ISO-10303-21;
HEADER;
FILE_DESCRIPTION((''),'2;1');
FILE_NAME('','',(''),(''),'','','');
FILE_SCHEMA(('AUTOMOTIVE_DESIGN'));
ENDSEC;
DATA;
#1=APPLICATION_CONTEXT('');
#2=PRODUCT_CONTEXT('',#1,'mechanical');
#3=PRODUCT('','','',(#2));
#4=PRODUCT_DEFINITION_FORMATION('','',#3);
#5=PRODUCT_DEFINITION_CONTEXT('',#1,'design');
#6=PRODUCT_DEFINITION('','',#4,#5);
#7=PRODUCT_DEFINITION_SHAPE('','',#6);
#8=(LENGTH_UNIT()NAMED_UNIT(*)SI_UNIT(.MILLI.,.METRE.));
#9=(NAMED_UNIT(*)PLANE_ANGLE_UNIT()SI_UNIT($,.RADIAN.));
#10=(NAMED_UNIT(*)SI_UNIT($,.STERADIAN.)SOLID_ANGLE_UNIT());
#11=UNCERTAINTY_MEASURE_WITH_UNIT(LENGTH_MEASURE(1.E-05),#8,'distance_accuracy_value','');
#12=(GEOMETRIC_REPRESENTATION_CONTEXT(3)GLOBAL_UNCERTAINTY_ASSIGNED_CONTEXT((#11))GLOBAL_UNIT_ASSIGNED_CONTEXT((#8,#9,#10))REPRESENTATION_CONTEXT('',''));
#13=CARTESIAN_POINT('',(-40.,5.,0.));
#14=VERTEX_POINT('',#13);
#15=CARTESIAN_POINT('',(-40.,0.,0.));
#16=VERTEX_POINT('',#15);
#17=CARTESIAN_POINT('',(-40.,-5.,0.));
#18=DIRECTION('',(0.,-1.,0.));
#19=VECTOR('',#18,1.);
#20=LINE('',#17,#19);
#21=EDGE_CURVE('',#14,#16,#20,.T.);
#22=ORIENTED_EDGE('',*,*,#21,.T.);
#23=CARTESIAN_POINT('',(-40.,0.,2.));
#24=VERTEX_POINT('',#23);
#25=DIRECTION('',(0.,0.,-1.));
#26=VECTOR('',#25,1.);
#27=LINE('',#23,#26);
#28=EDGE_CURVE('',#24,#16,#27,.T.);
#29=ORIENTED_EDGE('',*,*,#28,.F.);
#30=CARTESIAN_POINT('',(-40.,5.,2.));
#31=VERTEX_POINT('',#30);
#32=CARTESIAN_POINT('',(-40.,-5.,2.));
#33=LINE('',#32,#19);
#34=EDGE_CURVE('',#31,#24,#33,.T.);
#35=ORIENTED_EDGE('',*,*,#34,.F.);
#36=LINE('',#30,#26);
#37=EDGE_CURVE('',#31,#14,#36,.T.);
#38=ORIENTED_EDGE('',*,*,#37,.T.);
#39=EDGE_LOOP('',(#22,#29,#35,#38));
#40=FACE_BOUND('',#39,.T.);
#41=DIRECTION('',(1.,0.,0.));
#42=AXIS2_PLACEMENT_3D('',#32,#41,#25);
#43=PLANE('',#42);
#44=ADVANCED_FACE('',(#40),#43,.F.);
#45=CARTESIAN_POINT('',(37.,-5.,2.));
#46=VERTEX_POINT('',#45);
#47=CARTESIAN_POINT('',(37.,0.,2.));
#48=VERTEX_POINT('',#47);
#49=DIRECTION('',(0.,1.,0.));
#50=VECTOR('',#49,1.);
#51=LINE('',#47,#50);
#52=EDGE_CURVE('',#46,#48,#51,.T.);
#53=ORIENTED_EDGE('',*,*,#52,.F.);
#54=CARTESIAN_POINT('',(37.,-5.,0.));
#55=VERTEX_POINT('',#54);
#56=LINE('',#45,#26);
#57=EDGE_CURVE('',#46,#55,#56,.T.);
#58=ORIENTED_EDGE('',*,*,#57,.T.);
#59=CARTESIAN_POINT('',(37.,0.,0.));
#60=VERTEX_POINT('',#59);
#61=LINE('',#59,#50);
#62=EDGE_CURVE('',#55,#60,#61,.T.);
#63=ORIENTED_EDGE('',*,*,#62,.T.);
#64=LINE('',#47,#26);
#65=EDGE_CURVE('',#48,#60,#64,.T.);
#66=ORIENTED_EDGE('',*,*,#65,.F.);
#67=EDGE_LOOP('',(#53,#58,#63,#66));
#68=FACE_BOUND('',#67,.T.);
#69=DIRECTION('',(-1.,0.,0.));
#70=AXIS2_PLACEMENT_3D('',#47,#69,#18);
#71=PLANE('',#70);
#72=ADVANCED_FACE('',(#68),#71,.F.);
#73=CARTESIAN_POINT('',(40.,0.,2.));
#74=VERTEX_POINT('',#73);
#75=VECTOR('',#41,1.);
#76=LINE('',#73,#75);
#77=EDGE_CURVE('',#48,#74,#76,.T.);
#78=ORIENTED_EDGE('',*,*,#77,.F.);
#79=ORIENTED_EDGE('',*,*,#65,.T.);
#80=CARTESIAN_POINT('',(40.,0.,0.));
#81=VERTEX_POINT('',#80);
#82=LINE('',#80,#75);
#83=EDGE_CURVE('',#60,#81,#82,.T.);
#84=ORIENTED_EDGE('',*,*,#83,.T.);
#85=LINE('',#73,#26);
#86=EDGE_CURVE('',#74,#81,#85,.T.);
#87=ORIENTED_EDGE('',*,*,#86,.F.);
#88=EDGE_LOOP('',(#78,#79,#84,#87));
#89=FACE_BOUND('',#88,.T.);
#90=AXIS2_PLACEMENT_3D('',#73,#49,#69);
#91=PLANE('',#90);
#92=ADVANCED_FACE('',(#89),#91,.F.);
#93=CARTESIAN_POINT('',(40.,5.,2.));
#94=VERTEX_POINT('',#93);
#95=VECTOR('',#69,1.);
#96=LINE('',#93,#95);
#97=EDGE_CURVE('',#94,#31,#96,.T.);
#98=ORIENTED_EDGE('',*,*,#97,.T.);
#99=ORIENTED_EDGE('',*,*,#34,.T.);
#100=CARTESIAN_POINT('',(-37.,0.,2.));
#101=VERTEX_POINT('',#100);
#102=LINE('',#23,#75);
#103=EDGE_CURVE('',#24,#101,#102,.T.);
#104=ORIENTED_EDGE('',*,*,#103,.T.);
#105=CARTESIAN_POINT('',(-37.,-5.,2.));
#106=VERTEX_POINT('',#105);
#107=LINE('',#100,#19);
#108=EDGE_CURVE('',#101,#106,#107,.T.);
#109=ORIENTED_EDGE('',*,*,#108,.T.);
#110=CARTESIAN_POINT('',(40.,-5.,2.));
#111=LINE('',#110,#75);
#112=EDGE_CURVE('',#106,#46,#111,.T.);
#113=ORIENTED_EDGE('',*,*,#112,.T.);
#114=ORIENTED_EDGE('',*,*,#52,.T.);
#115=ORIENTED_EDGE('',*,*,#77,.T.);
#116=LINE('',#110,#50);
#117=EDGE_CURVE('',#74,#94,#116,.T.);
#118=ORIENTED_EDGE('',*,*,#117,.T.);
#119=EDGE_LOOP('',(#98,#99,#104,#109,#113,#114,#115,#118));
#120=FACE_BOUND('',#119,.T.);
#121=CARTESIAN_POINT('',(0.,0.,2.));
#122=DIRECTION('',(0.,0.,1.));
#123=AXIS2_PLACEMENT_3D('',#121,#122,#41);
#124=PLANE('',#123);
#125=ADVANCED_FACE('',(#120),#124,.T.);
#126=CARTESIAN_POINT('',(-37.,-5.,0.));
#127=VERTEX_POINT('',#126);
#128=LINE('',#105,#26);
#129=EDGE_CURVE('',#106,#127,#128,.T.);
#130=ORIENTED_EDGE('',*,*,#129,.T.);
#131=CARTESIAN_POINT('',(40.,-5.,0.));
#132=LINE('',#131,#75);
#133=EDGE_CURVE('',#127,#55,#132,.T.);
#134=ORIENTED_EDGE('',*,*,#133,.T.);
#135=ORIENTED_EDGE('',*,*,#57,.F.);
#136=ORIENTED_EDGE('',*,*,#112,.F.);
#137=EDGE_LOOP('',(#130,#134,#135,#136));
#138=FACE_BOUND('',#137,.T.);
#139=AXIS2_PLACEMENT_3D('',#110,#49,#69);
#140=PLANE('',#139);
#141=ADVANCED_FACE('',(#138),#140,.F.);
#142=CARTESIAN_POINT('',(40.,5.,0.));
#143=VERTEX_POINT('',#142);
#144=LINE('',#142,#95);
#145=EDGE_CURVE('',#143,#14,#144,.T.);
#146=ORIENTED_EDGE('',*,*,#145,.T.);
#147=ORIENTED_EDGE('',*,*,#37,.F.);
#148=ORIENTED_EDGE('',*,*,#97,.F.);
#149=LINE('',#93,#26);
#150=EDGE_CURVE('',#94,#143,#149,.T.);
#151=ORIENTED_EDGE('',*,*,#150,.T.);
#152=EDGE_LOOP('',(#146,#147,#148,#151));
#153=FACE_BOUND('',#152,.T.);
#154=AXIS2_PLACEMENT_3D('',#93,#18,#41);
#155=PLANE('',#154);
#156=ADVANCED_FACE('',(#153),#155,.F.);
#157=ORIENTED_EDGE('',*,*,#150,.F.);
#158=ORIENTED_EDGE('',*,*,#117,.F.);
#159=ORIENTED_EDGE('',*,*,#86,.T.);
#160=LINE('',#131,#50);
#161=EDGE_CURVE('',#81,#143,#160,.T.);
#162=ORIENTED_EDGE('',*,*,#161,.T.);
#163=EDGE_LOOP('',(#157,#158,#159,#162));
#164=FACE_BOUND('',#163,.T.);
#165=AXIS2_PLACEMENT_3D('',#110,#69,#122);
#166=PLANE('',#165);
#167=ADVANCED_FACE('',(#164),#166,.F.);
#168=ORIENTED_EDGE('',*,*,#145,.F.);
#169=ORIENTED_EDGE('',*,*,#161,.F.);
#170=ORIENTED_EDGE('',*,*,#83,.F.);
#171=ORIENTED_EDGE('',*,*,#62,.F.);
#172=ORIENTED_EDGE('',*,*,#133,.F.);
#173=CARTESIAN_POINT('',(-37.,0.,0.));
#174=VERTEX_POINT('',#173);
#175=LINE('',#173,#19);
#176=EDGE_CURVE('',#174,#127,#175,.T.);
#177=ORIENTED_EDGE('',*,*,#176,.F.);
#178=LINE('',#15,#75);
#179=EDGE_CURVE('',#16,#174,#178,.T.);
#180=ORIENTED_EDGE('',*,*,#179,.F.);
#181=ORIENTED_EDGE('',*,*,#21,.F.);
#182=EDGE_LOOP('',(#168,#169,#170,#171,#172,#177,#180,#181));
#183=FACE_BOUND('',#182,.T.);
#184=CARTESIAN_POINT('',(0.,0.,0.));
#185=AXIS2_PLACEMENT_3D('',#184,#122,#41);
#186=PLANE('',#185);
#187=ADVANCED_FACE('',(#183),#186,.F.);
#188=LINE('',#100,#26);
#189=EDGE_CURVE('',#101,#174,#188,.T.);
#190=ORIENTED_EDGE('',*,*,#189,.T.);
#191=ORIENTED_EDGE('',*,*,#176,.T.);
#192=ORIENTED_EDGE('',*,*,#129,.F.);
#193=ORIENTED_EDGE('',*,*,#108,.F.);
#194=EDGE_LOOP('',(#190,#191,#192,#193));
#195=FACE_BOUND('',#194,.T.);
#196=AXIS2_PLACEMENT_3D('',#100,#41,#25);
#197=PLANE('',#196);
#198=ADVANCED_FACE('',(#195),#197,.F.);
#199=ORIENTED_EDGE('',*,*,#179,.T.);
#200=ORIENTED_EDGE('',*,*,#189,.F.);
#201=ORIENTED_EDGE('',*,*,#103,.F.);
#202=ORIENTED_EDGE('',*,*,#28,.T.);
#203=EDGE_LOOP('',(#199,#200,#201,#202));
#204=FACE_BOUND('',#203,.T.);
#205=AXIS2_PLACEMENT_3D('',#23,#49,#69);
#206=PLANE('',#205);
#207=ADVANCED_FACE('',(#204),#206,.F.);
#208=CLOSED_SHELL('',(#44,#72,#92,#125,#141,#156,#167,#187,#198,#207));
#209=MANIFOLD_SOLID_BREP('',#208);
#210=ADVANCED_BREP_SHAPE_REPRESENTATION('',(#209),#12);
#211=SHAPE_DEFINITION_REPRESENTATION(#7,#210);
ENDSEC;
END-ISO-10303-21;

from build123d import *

# Parameters (mm, degrees)
SKETCH1_W           = 80
SKETCH1_H           = 10
BOSS_EXTRUDE2_DEPTH = 2
SKETCH4_W           = 3
SKETCH4_H           = 5
CUT_EXTRUDE3_DEPTH  = 41.360872141


with BuildPart() as part:
    # Sketch1 → Boss-Extrude2 (new body)
    with BuildSketch(Plane.XY):
        Rectangle(SKETCH1_W, SKETCH1_H)
    extrude(amount=BOSS_EXTRUDE2_DEPTH)

    # Sketch4 → Cut-Extrude3 (cut, through all)
    with BuildSketch(Plane(origin=(0, 0, 0), x_dir=(-1, 0, 0), z_dir=(0, 0, -1))):
        with Locations((38.5, -2.5)):
            Rectangle(SKETCH4_W, SKETCH4_H)
        with Locations((-38.5, -2.5)):
            Rectangle(SKETCH4_W, SKETCH4_H)
    extrude(amount=-CUT_EXTRUDE3_DEPTH, mode=Mode.SUBTRACT)


solid = part.part
